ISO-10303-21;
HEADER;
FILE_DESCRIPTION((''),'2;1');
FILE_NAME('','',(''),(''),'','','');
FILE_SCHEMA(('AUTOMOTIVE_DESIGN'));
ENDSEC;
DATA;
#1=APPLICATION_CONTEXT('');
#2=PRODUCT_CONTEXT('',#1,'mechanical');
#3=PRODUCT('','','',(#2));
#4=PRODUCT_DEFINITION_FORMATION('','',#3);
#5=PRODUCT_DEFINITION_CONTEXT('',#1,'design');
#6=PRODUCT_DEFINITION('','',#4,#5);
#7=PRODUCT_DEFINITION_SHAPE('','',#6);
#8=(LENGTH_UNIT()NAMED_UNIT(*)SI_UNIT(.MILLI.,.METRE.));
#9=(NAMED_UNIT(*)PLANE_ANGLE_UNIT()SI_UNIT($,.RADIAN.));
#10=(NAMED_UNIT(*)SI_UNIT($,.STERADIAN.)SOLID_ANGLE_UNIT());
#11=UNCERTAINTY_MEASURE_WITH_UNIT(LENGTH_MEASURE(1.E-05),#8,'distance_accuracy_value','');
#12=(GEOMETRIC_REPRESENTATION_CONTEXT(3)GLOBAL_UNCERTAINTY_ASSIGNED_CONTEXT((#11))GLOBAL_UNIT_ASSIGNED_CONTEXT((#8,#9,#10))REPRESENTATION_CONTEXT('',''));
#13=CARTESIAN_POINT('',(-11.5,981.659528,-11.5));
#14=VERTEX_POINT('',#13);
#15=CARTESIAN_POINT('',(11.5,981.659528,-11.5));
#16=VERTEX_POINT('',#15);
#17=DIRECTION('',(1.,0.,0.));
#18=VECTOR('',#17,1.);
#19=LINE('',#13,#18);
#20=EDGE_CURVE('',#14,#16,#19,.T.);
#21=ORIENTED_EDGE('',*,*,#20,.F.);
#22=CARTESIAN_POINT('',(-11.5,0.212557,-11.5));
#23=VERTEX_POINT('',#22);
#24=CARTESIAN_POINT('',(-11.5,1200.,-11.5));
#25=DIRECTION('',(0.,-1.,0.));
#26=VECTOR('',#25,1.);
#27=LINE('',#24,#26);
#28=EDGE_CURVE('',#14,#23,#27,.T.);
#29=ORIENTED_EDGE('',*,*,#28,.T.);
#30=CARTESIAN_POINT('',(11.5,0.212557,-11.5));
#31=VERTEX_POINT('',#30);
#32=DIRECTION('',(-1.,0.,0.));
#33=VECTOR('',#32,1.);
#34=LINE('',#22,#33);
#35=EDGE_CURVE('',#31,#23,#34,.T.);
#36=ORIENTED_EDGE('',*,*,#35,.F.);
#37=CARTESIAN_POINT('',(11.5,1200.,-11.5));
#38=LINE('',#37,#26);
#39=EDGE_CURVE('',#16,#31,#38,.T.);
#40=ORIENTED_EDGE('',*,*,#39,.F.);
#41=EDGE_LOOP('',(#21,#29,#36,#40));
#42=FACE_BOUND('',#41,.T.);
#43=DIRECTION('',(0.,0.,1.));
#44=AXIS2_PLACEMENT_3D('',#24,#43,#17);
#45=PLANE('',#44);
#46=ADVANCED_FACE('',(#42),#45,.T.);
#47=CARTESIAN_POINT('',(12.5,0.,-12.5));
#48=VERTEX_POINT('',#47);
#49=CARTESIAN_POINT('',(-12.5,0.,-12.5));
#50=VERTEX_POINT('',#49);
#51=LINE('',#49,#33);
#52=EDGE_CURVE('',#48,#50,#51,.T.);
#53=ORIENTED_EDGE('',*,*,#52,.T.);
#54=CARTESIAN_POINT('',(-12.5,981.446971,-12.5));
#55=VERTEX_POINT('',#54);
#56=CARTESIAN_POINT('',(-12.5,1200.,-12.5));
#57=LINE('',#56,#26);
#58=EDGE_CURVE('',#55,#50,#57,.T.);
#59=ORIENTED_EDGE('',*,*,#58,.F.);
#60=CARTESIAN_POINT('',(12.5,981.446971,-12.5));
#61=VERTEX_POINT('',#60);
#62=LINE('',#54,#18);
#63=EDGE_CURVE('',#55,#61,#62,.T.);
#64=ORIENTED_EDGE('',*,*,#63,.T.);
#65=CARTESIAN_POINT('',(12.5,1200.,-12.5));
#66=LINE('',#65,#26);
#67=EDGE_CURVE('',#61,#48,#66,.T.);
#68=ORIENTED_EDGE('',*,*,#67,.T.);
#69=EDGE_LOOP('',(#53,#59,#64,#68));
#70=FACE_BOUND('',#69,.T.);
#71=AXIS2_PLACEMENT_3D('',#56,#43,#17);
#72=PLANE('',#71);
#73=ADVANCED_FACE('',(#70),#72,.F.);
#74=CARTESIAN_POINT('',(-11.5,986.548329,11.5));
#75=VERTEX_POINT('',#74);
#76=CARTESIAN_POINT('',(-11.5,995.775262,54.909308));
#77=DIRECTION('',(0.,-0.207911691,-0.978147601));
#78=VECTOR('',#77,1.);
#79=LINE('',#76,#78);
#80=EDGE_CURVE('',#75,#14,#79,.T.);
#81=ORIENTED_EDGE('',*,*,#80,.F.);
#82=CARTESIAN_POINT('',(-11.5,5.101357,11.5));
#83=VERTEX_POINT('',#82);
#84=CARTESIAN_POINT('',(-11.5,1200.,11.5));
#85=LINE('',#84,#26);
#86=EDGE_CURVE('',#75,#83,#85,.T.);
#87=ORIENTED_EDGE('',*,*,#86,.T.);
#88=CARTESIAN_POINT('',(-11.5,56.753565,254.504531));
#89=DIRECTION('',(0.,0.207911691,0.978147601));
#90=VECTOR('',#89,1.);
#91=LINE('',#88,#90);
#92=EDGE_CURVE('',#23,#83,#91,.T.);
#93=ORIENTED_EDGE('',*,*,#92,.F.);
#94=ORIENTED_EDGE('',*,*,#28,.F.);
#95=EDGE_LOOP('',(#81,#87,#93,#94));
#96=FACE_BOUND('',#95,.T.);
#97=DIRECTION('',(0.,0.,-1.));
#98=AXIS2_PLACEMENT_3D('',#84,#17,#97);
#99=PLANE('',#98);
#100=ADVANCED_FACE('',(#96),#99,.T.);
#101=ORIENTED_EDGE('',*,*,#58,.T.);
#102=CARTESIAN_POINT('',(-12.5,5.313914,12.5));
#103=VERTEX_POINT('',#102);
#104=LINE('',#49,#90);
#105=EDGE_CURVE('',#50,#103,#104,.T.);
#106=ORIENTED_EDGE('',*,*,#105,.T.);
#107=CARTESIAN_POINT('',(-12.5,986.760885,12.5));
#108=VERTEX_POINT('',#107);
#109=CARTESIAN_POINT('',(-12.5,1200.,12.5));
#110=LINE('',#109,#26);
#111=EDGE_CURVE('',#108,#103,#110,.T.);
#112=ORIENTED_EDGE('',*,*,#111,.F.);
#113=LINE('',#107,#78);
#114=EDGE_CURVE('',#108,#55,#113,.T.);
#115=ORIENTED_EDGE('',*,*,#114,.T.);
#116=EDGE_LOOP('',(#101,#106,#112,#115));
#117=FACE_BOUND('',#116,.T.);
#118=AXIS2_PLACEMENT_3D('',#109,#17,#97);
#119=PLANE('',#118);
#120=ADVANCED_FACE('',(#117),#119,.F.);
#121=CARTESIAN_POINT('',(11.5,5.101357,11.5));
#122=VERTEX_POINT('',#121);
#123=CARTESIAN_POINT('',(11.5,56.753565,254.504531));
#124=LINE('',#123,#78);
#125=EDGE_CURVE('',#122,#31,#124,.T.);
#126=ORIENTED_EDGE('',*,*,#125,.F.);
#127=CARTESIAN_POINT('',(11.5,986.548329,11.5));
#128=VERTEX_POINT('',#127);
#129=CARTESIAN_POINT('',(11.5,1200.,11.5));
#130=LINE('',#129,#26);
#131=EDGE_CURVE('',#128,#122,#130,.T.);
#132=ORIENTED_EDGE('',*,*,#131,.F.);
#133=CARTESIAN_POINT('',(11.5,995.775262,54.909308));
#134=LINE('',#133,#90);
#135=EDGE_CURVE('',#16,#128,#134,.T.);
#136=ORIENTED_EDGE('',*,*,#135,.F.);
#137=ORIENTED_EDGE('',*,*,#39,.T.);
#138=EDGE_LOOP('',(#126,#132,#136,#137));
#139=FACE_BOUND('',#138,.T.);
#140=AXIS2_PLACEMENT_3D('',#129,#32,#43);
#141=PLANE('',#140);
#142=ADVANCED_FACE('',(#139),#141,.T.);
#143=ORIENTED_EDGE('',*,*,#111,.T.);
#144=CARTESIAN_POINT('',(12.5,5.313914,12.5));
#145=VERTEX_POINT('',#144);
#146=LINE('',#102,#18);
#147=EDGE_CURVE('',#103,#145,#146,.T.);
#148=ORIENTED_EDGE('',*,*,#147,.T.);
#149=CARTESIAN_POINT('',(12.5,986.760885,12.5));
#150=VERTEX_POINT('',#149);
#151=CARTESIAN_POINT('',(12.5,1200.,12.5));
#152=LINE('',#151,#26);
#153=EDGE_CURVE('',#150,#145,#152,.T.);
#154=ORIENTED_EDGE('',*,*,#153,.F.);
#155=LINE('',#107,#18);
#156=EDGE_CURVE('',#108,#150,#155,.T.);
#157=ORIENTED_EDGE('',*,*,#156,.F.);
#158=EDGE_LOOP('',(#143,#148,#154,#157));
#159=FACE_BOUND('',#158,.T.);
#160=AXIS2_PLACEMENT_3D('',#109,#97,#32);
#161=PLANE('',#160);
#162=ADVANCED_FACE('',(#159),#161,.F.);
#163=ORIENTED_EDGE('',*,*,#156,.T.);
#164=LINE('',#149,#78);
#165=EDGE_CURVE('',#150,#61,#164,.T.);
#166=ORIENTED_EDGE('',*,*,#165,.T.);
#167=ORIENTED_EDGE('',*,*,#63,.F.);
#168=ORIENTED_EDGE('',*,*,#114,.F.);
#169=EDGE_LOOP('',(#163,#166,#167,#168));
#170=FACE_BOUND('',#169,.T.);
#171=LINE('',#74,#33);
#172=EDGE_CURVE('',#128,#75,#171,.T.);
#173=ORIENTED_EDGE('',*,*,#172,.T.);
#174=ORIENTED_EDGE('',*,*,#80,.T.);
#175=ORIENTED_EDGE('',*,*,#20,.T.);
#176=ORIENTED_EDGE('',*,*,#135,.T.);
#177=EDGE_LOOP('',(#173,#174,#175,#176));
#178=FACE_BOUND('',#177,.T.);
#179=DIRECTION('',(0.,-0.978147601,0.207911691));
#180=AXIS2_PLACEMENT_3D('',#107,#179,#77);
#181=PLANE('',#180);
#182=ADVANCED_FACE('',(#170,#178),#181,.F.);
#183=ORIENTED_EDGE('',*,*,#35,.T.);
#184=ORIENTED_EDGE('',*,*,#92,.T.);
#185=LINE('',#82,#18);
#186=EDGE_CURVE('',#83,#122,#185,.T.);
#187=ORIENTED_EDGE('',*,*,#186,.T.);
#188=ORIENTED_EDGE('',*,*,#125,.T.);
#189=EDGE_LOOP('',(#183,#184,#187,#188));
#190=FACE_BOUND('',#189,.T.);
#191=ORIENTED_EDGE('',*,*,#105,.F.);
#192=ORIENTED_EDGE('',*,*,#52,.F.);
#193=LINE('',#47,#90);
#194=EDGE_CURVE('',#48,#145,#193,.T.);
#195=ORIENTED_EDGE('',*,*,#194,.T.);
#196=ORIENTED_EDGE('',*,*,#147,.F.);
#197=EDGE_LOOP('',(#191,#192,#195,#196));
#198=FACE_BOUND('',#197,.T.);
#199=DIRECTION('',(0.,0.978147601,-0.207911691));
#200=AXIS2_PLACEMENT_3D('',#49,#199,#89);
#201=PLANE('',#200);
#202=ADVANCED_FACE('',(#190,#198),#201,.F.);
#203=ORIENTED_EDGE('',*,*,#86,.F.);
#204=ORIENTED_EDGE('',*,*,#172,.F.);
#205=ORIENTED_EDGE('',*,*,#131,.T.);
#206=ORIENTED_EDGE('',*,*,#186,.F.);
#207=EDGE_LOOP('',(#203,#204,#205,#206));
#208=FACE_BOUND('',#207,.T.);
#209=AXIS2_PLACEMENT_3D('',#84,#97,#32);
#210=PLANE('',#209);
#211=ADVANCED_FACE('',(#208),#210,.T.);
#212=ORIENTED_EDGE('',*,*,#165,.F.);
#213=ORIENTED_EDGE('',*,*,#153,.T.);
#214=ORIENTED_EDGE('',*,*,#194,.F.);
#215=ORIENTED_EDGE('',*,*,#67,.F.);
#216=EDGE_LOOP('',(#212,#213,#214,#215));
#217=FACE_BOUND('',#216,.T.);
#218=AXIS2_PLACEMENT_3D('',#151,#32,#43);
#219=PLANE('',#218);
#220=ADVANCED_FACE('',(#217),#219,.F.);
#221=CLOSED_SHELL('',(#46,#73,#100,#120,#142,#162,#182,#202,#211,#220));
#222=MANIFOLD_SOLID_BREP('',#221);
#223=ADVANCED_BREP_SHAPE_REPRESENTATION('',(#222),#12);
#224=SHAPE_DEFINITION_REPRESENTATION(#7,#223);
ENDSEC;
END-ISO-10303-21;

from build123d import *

# Parameters (mm, degrees)
SKETCH1_W           = 25
SKETCH1_H           = 25
SKETCH1_W_2         = 23
SKETCH1_H_2         = 23
BOSS_EXTRUDE1_DEPTH = 1200
CUT_EXTRUDE1_DEPTH  = 1201.325476694


with BuildPart() as part:
    # Sketch1 → Boss-Extrude1 (new body)
    with BuildSketch(Plane(origin=(0, 0, 0), x_dir=(1, 0, 0), z_dir=(0, 1, 0))):
        Rectangle(SKETCH1_W, SKETCH1_H)
        Rectangle(SKETCH1_W_2, SKETCH1_H_2, mode=Mode.SUBTRACT)
    extrude(amount=BOSS_EXTRUDE1_DEPTH)

    # Sketch2 → Cut-Extrude1 (cut, through all)
    with BuildSketch(Plane(origin=(12.5, 0, 0), x_dir=(0, 0, -1), z_dir=(1, 0, 0))):
        Polygon((12.5, 0), (-12.5, 5.313914042), (-12.5, 0), align=None)
        Polygon((12.5, 1200), (-12.5, 1200), (-12.5, 986.760885112), (12.5, 981.44697107), align=None)
    extrude(amount=-CUT_EXTRUDE1_DEPTH, mode=Mode.SUBTRACT)


solid = part.part
